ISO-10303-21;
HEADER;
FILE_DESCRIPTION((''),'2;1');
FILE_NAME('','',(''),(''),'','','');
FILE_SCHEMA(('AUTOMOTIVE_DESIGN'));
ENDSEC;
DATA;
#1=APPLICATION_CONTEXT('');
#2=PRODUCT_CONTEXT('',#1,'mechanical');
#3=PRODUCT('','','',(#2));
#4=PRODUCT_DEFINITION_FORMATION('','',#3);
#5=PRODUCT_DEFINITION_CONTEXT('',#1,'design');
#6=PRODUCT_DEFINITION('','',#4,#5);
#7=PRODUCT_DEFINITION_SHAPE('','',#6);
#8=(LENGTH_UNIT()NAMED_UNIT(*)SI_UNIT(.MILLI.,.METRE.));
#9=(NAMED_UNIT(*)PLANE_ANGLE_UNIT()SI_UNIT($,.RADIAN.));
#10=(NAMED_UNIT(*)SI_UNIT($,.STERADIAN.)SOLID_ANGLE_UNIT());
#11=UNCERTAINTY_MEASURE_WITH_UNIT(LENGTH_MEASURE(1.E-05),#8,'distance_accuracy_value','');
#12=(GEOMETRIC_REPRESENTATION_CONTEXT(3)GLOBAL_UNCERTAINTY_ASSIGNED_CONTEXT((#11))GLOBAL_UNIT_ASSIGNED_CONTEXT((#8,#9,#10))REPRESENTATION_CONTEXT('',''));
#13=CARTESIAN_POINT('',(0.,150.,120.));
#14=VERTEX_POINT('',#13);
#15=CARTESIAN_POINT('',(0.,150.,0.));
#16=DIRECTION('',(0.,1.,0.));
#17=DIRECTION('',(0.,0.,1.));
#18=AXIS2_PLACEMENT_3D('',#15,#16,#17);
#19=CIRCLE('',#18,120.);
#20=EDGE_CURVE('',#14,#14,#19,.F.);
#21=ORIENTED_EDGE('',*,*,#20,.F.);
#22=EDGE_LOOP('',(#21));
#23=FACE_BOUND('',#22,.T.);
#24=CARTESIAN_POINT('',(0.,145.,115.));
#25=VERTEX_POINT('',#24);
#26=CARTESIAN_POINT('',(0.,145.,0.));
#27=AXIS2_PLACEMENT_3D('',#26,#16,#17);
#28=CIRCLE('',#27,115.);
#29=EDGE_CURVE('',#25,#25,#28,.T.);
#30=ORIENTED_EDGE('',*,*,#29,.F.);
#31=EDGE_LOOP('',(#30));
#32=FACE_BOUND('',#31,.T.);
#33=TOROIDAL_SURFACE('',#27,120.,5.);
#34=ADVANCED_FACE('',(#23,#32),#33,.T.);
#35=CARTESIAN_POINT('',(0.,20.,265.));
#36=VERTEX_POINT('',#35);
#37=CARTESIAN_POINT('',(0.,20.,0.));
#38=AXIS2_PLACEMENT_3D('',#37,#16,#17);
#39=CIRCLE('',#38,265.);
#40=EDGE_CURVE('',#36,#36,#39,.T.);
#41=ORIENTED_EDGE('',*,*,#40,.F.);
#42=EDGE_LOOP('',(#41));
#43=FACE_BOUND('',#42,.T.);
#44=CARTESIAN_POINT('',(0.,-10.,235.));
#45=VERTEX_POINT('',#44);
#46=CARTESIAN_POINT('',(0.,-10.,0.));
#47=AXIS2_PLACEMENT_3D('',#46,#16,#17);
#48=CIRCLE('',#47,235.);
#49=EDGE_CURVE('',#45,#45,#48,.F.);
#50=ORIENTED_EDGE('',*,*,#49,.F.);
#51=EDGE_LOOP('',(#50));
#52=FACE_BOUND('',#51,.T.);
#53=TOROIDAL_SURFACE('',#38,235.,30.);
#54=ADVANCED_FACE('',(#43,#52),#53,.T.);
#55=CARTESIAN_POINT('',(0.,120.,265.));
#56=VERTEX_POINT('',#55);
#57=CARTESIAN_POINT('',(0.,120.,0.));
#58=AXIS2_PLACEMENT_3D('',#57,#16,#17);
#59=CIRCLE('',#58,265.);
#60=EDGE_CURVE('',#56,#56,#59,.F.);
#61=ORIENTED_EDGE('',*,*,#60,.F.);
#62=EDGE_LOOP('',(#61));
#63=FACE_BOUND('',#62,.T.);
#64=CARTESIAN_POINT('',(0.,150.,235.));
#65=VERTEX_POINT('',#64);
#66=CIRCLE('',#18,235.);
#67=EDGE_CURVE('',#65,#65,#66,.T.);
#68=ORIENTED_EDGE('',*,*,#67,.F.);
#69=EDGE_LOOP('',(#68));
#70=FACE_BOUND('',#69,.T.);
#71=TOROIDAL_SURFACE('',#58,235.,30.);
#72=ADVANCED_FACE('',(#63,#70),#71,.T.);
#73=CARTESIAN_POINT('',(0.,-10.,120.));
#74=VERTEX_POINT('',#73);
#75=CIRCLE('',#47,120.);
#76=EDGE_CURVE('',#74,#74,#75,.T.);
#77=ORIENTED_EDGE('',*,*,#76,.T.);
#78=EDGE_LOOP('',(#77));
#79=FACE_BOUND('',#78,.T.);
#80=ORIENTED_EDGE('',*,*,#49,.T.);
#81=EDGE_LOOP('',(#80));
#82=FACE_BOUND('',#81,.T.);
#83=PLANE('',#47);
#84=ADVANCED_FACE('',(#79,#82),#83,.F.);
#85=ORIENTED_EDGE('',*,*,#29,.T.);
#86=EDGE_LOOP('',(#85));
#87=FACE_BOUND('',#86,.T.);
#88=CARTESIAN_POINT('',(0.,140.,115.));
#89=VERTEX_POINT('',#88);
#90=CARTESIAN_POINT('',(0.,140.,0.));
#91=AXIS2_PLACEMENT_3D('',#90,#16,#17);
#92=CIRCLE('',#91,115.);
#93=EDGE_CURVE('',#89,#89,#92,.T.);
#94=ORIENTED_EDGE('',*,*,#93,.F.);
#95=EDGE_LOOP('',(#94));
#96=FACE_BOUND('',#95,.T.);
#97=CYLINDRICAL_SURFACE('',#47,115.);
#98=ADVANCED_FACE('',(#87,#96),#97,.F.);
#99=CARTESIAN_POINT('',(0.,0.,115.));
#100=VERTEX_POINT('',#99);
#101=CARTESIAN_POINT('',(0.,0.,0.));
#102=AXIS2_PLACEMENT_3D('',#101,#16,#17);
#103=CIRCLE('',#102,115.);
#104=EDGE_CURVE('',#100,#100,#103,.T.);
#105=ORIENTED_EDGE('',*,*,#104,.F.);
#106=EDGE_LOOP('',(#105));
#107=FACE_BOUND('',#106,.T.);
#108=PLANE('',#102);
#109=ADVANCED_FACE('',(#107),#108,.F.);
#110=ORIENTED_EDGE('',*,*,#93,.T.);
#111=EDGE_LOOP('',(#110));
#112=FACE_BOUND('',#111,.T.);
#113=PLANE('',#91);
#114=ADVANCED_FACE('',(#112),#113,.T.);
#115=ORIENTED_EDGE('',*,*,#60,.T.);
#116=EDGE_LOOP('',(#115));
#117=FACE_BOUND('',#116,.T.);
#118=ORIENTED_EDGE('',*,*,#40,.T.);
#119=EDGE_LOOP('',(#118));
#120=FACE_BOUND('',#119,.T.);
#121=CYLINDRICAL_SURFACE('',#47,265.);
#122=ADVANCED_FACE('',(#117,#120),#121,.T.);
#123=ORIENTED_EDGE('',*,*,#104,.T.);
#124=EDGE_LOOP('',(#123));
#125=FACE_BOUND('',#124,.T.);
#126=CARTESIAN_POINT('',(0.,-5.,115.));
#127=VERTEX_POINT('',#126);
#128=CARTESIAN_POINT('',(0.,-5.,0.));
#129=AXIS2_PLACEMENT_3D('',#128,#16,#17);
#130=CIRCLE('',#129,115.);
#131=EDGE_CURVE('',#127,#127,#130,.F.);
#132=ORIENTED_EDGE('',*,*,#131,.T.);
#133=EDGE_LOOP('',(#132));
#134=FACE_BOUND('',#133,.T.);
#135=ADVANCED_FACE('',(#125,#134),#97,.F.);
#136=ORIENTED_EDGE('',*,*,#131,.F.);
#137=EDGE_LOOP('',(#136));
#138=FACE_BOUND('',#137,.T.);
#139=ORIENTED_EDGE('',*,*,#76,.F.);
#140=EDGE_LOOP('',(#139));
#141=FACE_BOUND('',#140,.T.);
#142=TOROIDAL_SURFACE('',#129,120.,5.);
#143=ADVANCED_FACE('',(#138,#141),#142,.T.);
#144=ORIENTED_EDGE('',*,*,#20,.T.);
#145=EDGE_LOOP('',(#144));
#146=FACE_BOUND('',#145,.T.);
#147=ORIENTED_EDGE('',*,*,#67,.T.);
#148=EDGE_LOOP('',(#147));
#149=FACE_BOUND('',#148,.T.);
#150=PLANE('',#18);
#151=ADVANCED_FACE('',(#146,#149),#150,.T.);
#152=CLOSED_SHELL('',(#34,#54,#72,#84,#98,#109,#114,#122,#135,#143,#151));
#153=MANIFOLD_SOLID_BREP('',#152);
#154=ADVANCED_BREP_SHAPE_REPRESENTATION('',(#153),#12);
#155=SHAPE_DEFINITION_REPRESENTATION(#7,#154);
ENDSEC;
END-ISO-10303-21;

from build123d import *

# Parameters (mm, degrees)
CROQUIS1_R                   = 115
SALIENTE_EXTRUIR1_DEPTH      = 140
SALIENTE_EXTRUIR2_DEPTH      = 80
SALIENTE_EXTRUIR2_DEPTH_BACK = 80
CROQUIS2_R                   = 265
CROQUIS2_R_2                 = 115
REDONDEO1_R                  = 30
REDONDEO2_R                  = 5
REDONDEO3_R                  = 5


with BuildPart() as part:
    # Croquis1 → Saliente-Extruir1 (new body)
    with BuildSketch(Plane(origin=(0, 0, 0), x_dir=(1, 0, 0), z_dir=(0, 1, 0))):
        with Locations(Location((0, 0, 0), (0, 0, 270))):
            Circle(CROQUIS1_R)
    extrude(amount=SALIENTE_EXTRUIR1_DEPTH)

    # Croquis2 → Saliente-Extruir2 (add, two sides: drawn at the far end of the back side and taken through both)
    with BuildSketch(Plane(origin=(0, 70, 0), x_dir=(1, 0, 0), z_dir=(0, 1, 0)).offset(-SALIENTE_EXTRUIR2_DEPTH_BACK)):
        with Locations(Location((0, 0, 0), (0, 0, 270))):
            Circle(CROQUIS2_R)
        with Locations(Location((0, 0, 0), (0, 0, 270))):
            Circle(CROQUIS2_R_2, mode=Mode.SUBTRACT)
    extrude(amount=SALIENTE_EXTRUIR2_DEPTH + SALIENTE_EXTRUIR2_DEPTH_BACK)

    # Redondeo1
    redondeo1_edges = [part.edges().sort_by_distance(p)[0] for p in [
        (0, -10, -265),
        (0, 150, -265),
    ]]
    fillet(redondeo1_edges, radius=REDONDEO1_R)

    # Redondeo2
    redondeo2_edges = [part.edges().sort_by_distance(p)[0] for p in [
        (0, -10, -115),
    ]]
    fillet(redondeo2_edges, radius=REDONDEO2_R)

    # Redondeo3
    redondeo3_edges = [part.edges().sort_by_distance(p)[0] for p in [
        (0, 150, -115),
    ]]
    fillet(redondeo3_edges, radius=REDONDEO3_R)


solid = part.part
